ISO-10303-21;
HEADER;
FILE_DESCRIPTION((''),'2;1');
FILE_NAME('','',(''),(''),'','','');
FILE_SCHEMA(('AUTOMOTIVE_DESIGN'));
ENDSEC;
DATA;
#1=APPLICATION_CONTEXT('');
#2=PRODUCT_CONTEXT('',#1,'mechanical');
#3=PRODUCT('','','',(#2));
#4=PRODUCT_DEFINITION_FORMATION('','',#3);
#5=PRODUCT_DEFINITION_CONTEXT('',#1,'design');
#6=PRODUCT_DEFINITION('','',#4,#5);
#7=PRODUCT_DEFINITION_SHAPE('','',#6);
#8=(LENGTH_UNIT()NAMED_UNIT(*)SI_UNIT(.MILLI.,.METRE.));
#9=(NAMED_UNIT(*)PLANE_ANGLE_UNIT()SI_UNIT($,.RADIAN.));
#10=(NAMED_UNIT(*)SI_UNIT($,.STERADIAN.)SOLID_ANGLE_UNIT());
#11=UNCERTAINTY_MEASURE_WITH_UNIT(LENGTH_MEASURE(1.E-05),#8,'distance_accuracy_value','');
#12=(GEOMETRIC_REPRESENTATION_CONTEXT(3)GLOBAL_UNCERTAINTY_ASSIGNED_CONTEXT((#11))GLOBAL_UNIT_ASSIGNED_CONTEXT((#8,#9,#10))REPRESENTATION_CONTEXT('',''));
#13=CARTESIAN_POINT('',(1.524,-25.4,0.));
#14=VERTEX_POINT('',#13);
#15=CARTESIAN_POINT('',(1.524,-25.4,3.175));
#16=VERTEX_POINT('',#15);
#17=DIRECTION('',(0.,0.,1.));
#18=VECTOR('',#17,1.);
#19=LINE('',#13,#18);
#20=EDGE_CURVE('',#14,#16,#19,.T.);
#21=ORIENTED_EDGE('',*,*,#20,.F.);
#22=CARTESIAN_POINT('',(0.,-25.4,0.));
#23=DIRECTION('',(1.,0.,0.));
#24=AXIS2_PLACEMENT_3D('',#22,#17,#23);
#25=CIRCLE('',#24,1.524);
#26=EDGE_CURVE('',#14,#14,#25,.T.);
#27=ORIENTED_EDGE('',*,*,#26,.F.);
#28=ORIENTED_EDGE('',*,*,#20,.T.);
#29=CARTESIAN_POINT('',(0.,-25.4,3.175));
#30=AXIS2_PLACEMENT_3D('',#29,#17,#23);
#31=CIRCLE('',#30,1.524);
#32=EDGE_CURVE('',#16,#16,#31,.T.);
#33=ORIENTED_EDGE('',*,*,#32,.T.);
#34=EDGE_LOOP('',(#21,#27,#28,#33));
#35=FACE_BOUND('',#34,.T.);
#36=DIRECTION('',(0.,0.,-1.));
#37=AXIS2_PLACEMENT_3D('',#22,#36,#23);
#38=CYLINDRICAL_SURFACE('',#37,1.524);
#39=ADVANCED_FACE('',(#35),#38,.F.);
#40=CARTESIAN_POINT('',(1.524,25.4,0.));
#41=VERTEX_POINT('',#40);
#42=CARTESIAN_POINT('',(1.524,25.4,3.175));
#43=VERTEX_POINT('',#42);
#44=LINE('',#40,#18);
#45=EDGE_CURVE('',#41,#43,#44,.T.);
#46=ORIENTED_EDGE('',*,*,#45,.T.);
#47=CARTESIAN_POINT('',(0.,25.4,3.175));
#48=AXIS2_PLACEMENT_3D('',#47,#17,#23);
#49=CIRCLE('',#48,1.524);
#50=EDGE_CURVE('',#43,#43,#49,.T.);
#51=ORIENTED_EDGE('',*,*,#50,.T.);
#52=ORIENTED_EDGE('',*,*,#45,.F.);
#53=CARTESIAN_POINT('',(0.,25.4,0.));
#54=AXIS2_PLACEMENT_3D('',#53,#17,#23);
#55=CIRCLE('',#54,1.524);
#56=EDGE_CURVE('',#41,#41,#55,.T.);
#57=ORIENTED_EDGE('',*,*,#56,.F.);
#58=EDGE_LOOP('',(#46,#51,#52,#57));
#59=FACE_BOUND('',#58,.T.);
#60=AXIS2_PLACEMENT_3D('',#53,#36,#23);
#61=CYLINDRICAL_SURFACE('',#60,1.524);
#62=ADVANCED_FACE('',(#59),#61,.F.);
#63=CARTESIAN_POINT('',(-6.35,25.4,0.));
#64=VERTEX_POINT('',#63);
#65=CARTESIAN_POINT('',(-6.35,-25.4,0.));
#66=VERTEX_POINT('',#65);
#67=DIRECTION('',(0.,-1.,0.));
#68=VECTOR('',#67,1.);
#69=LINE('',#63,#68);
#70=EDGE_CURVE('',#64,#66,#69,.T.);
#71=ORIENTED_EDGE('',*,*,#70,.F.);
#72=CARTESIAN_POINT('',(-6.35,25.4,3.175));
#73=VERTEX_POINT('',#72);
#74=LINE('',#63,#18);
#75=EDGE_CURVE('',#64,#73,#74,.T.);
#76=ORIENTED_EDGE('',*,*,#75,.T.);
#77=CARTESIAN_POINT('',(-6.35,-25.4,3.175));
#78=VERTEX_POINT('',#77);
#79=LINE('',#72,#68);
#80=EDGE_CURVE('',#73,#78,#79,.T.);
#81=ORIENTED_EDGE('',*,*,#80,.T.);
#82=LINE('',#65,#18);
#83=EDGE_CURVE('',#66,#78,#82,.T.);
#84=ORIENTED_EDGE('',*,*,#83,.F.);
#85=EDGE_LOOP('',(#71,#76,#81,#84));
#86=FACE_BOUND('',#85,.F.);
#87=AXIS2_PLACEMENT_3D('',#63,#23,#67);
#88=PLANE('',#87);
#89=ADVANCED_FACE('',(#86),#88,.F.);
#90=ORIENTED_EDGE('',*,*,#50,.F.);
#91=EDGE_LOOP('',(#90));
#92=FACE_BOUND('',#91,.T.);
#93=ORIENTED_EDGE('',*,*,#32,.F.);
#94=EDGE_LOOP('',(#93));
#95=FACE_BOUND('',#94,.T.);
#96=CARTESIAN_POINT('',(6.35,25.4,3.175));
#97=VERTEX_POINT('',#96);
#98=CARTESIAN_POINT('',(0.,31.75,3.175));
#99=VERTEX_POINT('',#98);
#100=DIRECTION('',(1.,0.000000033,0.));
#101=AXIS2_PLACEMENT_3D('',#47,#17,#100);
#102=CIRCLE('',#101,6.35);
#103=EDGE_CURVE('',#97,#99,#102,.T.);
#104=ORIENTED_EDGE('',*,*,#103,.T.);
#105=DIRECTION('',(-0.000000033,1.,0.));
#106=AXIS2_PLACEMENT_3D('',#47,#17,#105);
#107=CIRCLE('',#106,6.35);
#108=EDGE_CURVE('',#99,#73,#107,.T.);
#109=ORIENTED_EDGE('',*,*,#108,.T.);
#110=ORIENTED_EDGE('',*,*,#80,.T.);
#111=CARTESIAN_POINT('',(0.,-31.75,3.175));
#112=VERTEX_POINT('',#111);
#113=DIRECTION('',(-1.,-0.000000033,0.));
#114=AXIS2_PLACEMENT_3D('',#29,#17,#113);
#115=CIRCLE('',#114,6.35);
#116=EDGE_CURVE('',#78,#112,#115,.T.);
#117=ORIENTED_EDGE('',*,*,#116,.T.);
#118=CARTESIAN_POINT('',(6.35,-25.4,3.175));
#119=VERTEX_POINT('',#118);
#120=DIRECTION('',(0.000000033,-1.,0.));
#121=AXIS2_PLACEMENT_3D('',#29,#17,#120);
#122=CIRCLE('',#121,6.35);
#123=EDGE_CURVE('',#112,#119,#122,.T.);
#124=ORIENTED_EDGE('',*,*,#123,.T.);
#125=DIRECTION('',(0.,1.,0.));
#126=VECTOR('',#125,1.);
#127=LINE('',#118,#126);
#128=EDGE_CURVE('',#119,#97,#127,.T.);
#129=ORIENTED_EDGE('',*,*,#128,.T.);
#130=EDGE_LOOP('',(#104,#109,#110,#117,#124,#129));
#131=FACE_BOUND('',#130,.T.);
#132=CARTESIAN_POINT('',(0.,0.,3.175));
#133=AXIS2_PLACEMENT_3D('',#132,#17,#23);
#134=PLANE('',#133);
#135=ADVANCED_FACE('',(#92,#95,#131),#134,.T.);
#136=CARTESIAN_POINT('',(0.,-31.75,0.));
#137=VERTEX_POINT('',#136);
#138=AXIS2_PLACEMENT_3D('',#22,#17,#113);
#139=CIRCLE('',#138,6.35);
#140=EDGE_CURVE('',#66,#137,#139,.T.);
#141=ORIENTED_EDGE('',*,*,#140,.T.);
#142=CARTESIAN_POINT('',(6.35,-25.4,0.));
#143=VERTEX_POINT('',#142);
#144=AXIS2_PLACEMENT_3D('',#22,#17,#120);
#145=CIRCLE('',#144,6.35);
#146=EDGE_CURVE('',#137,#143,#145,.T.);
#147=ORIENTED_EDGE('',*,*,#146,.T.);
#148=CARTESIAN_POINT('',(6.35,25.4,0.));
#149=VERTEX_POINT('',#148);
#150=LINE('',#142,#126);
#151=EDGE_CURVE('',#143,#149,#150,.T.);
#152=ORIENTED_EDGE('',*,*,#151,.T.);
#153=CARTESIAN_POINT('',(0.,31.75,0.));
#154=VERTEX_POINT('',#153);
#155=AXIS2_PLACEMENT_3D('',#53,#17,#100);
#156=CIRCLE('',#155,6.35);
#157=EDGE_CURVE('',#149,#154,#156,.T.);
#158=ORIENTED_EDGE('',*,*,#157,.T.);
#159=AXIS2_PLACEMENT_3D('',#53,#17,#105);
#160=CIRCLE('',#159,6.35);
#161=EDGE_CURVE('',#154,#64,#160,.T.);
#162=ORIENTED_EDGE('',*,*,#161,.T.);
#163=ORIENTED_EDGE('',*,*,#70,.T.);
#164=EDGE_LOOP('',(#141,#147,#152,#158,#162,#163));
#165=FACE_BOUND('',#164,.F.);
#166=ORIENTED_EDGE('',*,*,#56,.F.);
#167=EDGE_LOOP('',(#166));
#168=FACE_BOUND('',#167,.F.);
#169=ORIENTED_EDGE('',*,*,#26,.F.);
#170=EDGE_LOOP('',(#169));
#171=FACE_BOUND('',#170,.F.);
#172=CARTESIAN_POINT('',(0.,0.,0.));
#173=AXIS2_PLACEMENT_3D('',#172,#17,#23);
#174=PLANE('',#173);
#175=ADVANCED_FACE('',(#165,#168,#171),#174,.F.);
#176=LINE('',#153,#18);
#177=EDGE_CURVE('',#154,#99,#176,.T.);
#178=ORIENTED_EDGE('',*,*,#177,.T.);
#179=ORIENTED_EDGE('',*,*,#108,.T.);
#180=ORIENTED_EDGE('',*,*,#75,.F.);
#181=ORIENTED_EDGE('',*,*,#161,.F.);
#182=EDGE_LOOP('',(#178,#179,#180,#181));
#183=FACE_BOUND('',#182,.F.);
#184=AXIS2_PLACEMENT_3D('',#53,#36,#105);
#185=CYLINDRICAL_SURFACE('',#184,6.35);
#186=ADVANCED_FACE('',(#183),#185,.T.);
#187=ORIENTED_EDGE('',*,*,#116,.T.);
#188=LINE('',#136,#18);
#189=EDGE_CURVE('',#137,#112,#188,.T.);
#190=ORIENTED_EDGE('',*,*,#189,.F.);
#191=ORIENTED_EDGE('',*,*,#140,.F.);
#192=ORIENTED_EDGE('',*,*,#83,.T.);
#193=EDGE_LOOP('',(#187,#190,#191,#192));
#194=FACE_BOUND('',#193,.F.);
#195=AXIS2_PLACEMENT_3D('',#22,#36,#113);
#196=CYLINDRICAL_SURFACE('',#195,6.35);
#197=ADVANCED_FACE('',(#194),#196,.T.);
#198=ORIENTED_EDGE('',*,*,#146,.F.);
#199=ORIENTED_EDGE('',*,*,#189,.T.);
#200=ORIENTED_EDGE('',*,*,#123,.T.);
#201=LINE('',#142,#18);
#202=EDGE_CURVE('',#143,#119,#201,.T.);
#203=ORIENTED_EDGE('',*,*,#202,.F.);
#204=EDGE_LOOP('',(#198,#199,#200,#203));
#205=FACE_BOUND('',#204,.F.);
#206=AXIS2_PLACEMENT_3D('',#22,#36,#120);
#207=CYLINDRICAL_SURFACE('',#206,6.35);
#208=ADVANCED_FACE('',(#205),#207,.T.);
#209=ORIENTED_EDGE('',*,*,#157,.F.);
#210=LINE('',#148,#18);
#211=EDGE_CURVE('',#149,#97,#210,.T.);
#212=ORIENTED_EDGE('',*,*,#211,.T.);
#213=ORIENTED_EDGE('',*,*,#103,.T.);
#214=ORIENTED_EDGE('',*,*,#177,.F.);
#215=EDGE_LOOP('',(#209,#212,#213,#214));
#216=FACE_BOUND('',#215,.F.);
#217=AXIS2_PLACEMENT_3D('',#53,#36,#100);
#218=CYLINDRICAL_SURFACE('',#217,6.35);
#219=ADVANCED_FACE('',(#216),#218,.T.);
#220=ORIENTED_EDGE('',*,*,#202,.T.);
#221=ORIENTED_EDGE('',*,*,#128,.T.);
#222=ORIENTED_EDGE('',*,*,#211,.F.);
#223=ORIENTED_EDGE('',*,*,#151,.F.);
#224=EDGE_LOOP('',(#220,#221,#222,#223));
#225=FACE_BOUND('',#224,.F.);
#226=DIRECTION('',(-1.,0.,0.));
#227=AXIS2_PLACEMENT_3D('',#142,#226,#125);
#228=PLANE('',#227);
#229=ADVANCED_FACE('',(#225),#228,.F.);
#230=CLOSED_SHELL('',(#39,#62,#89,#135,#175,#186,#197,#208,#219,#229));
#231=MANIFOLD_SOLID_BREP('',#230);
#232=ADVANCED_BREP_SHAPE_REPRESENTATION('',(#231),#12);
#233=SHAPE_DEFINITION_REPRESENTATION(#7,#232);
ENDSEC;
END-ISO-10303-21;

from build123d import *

# Parameters (mm, degrees)
F0_R     = 1.524
F1_DEPTH = 3.175


with BuildPart() as f1:
    # F0 (on Top) → F1 (new body)
    with BuildSketch(Plane.XY):
        with BuildLine():
            Line((6.35, -25.4), (6.35, 25.4))
            ThreePointArc((6.35, 25.4), (4.490128, 29.890128), (0, 31.75))
            ThreePointArc((0, 31.75), (-4.490128, 29.890128), (-6.35, 25.4))
            Line((-6.35, 25.4), (-6.35, -25.4))
            ThreePointArc((-6.35, -25.4), (-4.490128, -29.890128), (0, -31.75))
            ThreePointArc((0, -31.75), (4.490128, -29.890128), (6.35, -25.4))
        make_face()
        with Locations((0, -25.4)):
            Circle(F0_R, mode=Mode.SUBTRACT)
        with Locations((0, 25.4)):
            Circle(F0_R, mode=Mode.SUBTRACT)
    extrude(amount=F1_DEPTH)


solid = f1.part
